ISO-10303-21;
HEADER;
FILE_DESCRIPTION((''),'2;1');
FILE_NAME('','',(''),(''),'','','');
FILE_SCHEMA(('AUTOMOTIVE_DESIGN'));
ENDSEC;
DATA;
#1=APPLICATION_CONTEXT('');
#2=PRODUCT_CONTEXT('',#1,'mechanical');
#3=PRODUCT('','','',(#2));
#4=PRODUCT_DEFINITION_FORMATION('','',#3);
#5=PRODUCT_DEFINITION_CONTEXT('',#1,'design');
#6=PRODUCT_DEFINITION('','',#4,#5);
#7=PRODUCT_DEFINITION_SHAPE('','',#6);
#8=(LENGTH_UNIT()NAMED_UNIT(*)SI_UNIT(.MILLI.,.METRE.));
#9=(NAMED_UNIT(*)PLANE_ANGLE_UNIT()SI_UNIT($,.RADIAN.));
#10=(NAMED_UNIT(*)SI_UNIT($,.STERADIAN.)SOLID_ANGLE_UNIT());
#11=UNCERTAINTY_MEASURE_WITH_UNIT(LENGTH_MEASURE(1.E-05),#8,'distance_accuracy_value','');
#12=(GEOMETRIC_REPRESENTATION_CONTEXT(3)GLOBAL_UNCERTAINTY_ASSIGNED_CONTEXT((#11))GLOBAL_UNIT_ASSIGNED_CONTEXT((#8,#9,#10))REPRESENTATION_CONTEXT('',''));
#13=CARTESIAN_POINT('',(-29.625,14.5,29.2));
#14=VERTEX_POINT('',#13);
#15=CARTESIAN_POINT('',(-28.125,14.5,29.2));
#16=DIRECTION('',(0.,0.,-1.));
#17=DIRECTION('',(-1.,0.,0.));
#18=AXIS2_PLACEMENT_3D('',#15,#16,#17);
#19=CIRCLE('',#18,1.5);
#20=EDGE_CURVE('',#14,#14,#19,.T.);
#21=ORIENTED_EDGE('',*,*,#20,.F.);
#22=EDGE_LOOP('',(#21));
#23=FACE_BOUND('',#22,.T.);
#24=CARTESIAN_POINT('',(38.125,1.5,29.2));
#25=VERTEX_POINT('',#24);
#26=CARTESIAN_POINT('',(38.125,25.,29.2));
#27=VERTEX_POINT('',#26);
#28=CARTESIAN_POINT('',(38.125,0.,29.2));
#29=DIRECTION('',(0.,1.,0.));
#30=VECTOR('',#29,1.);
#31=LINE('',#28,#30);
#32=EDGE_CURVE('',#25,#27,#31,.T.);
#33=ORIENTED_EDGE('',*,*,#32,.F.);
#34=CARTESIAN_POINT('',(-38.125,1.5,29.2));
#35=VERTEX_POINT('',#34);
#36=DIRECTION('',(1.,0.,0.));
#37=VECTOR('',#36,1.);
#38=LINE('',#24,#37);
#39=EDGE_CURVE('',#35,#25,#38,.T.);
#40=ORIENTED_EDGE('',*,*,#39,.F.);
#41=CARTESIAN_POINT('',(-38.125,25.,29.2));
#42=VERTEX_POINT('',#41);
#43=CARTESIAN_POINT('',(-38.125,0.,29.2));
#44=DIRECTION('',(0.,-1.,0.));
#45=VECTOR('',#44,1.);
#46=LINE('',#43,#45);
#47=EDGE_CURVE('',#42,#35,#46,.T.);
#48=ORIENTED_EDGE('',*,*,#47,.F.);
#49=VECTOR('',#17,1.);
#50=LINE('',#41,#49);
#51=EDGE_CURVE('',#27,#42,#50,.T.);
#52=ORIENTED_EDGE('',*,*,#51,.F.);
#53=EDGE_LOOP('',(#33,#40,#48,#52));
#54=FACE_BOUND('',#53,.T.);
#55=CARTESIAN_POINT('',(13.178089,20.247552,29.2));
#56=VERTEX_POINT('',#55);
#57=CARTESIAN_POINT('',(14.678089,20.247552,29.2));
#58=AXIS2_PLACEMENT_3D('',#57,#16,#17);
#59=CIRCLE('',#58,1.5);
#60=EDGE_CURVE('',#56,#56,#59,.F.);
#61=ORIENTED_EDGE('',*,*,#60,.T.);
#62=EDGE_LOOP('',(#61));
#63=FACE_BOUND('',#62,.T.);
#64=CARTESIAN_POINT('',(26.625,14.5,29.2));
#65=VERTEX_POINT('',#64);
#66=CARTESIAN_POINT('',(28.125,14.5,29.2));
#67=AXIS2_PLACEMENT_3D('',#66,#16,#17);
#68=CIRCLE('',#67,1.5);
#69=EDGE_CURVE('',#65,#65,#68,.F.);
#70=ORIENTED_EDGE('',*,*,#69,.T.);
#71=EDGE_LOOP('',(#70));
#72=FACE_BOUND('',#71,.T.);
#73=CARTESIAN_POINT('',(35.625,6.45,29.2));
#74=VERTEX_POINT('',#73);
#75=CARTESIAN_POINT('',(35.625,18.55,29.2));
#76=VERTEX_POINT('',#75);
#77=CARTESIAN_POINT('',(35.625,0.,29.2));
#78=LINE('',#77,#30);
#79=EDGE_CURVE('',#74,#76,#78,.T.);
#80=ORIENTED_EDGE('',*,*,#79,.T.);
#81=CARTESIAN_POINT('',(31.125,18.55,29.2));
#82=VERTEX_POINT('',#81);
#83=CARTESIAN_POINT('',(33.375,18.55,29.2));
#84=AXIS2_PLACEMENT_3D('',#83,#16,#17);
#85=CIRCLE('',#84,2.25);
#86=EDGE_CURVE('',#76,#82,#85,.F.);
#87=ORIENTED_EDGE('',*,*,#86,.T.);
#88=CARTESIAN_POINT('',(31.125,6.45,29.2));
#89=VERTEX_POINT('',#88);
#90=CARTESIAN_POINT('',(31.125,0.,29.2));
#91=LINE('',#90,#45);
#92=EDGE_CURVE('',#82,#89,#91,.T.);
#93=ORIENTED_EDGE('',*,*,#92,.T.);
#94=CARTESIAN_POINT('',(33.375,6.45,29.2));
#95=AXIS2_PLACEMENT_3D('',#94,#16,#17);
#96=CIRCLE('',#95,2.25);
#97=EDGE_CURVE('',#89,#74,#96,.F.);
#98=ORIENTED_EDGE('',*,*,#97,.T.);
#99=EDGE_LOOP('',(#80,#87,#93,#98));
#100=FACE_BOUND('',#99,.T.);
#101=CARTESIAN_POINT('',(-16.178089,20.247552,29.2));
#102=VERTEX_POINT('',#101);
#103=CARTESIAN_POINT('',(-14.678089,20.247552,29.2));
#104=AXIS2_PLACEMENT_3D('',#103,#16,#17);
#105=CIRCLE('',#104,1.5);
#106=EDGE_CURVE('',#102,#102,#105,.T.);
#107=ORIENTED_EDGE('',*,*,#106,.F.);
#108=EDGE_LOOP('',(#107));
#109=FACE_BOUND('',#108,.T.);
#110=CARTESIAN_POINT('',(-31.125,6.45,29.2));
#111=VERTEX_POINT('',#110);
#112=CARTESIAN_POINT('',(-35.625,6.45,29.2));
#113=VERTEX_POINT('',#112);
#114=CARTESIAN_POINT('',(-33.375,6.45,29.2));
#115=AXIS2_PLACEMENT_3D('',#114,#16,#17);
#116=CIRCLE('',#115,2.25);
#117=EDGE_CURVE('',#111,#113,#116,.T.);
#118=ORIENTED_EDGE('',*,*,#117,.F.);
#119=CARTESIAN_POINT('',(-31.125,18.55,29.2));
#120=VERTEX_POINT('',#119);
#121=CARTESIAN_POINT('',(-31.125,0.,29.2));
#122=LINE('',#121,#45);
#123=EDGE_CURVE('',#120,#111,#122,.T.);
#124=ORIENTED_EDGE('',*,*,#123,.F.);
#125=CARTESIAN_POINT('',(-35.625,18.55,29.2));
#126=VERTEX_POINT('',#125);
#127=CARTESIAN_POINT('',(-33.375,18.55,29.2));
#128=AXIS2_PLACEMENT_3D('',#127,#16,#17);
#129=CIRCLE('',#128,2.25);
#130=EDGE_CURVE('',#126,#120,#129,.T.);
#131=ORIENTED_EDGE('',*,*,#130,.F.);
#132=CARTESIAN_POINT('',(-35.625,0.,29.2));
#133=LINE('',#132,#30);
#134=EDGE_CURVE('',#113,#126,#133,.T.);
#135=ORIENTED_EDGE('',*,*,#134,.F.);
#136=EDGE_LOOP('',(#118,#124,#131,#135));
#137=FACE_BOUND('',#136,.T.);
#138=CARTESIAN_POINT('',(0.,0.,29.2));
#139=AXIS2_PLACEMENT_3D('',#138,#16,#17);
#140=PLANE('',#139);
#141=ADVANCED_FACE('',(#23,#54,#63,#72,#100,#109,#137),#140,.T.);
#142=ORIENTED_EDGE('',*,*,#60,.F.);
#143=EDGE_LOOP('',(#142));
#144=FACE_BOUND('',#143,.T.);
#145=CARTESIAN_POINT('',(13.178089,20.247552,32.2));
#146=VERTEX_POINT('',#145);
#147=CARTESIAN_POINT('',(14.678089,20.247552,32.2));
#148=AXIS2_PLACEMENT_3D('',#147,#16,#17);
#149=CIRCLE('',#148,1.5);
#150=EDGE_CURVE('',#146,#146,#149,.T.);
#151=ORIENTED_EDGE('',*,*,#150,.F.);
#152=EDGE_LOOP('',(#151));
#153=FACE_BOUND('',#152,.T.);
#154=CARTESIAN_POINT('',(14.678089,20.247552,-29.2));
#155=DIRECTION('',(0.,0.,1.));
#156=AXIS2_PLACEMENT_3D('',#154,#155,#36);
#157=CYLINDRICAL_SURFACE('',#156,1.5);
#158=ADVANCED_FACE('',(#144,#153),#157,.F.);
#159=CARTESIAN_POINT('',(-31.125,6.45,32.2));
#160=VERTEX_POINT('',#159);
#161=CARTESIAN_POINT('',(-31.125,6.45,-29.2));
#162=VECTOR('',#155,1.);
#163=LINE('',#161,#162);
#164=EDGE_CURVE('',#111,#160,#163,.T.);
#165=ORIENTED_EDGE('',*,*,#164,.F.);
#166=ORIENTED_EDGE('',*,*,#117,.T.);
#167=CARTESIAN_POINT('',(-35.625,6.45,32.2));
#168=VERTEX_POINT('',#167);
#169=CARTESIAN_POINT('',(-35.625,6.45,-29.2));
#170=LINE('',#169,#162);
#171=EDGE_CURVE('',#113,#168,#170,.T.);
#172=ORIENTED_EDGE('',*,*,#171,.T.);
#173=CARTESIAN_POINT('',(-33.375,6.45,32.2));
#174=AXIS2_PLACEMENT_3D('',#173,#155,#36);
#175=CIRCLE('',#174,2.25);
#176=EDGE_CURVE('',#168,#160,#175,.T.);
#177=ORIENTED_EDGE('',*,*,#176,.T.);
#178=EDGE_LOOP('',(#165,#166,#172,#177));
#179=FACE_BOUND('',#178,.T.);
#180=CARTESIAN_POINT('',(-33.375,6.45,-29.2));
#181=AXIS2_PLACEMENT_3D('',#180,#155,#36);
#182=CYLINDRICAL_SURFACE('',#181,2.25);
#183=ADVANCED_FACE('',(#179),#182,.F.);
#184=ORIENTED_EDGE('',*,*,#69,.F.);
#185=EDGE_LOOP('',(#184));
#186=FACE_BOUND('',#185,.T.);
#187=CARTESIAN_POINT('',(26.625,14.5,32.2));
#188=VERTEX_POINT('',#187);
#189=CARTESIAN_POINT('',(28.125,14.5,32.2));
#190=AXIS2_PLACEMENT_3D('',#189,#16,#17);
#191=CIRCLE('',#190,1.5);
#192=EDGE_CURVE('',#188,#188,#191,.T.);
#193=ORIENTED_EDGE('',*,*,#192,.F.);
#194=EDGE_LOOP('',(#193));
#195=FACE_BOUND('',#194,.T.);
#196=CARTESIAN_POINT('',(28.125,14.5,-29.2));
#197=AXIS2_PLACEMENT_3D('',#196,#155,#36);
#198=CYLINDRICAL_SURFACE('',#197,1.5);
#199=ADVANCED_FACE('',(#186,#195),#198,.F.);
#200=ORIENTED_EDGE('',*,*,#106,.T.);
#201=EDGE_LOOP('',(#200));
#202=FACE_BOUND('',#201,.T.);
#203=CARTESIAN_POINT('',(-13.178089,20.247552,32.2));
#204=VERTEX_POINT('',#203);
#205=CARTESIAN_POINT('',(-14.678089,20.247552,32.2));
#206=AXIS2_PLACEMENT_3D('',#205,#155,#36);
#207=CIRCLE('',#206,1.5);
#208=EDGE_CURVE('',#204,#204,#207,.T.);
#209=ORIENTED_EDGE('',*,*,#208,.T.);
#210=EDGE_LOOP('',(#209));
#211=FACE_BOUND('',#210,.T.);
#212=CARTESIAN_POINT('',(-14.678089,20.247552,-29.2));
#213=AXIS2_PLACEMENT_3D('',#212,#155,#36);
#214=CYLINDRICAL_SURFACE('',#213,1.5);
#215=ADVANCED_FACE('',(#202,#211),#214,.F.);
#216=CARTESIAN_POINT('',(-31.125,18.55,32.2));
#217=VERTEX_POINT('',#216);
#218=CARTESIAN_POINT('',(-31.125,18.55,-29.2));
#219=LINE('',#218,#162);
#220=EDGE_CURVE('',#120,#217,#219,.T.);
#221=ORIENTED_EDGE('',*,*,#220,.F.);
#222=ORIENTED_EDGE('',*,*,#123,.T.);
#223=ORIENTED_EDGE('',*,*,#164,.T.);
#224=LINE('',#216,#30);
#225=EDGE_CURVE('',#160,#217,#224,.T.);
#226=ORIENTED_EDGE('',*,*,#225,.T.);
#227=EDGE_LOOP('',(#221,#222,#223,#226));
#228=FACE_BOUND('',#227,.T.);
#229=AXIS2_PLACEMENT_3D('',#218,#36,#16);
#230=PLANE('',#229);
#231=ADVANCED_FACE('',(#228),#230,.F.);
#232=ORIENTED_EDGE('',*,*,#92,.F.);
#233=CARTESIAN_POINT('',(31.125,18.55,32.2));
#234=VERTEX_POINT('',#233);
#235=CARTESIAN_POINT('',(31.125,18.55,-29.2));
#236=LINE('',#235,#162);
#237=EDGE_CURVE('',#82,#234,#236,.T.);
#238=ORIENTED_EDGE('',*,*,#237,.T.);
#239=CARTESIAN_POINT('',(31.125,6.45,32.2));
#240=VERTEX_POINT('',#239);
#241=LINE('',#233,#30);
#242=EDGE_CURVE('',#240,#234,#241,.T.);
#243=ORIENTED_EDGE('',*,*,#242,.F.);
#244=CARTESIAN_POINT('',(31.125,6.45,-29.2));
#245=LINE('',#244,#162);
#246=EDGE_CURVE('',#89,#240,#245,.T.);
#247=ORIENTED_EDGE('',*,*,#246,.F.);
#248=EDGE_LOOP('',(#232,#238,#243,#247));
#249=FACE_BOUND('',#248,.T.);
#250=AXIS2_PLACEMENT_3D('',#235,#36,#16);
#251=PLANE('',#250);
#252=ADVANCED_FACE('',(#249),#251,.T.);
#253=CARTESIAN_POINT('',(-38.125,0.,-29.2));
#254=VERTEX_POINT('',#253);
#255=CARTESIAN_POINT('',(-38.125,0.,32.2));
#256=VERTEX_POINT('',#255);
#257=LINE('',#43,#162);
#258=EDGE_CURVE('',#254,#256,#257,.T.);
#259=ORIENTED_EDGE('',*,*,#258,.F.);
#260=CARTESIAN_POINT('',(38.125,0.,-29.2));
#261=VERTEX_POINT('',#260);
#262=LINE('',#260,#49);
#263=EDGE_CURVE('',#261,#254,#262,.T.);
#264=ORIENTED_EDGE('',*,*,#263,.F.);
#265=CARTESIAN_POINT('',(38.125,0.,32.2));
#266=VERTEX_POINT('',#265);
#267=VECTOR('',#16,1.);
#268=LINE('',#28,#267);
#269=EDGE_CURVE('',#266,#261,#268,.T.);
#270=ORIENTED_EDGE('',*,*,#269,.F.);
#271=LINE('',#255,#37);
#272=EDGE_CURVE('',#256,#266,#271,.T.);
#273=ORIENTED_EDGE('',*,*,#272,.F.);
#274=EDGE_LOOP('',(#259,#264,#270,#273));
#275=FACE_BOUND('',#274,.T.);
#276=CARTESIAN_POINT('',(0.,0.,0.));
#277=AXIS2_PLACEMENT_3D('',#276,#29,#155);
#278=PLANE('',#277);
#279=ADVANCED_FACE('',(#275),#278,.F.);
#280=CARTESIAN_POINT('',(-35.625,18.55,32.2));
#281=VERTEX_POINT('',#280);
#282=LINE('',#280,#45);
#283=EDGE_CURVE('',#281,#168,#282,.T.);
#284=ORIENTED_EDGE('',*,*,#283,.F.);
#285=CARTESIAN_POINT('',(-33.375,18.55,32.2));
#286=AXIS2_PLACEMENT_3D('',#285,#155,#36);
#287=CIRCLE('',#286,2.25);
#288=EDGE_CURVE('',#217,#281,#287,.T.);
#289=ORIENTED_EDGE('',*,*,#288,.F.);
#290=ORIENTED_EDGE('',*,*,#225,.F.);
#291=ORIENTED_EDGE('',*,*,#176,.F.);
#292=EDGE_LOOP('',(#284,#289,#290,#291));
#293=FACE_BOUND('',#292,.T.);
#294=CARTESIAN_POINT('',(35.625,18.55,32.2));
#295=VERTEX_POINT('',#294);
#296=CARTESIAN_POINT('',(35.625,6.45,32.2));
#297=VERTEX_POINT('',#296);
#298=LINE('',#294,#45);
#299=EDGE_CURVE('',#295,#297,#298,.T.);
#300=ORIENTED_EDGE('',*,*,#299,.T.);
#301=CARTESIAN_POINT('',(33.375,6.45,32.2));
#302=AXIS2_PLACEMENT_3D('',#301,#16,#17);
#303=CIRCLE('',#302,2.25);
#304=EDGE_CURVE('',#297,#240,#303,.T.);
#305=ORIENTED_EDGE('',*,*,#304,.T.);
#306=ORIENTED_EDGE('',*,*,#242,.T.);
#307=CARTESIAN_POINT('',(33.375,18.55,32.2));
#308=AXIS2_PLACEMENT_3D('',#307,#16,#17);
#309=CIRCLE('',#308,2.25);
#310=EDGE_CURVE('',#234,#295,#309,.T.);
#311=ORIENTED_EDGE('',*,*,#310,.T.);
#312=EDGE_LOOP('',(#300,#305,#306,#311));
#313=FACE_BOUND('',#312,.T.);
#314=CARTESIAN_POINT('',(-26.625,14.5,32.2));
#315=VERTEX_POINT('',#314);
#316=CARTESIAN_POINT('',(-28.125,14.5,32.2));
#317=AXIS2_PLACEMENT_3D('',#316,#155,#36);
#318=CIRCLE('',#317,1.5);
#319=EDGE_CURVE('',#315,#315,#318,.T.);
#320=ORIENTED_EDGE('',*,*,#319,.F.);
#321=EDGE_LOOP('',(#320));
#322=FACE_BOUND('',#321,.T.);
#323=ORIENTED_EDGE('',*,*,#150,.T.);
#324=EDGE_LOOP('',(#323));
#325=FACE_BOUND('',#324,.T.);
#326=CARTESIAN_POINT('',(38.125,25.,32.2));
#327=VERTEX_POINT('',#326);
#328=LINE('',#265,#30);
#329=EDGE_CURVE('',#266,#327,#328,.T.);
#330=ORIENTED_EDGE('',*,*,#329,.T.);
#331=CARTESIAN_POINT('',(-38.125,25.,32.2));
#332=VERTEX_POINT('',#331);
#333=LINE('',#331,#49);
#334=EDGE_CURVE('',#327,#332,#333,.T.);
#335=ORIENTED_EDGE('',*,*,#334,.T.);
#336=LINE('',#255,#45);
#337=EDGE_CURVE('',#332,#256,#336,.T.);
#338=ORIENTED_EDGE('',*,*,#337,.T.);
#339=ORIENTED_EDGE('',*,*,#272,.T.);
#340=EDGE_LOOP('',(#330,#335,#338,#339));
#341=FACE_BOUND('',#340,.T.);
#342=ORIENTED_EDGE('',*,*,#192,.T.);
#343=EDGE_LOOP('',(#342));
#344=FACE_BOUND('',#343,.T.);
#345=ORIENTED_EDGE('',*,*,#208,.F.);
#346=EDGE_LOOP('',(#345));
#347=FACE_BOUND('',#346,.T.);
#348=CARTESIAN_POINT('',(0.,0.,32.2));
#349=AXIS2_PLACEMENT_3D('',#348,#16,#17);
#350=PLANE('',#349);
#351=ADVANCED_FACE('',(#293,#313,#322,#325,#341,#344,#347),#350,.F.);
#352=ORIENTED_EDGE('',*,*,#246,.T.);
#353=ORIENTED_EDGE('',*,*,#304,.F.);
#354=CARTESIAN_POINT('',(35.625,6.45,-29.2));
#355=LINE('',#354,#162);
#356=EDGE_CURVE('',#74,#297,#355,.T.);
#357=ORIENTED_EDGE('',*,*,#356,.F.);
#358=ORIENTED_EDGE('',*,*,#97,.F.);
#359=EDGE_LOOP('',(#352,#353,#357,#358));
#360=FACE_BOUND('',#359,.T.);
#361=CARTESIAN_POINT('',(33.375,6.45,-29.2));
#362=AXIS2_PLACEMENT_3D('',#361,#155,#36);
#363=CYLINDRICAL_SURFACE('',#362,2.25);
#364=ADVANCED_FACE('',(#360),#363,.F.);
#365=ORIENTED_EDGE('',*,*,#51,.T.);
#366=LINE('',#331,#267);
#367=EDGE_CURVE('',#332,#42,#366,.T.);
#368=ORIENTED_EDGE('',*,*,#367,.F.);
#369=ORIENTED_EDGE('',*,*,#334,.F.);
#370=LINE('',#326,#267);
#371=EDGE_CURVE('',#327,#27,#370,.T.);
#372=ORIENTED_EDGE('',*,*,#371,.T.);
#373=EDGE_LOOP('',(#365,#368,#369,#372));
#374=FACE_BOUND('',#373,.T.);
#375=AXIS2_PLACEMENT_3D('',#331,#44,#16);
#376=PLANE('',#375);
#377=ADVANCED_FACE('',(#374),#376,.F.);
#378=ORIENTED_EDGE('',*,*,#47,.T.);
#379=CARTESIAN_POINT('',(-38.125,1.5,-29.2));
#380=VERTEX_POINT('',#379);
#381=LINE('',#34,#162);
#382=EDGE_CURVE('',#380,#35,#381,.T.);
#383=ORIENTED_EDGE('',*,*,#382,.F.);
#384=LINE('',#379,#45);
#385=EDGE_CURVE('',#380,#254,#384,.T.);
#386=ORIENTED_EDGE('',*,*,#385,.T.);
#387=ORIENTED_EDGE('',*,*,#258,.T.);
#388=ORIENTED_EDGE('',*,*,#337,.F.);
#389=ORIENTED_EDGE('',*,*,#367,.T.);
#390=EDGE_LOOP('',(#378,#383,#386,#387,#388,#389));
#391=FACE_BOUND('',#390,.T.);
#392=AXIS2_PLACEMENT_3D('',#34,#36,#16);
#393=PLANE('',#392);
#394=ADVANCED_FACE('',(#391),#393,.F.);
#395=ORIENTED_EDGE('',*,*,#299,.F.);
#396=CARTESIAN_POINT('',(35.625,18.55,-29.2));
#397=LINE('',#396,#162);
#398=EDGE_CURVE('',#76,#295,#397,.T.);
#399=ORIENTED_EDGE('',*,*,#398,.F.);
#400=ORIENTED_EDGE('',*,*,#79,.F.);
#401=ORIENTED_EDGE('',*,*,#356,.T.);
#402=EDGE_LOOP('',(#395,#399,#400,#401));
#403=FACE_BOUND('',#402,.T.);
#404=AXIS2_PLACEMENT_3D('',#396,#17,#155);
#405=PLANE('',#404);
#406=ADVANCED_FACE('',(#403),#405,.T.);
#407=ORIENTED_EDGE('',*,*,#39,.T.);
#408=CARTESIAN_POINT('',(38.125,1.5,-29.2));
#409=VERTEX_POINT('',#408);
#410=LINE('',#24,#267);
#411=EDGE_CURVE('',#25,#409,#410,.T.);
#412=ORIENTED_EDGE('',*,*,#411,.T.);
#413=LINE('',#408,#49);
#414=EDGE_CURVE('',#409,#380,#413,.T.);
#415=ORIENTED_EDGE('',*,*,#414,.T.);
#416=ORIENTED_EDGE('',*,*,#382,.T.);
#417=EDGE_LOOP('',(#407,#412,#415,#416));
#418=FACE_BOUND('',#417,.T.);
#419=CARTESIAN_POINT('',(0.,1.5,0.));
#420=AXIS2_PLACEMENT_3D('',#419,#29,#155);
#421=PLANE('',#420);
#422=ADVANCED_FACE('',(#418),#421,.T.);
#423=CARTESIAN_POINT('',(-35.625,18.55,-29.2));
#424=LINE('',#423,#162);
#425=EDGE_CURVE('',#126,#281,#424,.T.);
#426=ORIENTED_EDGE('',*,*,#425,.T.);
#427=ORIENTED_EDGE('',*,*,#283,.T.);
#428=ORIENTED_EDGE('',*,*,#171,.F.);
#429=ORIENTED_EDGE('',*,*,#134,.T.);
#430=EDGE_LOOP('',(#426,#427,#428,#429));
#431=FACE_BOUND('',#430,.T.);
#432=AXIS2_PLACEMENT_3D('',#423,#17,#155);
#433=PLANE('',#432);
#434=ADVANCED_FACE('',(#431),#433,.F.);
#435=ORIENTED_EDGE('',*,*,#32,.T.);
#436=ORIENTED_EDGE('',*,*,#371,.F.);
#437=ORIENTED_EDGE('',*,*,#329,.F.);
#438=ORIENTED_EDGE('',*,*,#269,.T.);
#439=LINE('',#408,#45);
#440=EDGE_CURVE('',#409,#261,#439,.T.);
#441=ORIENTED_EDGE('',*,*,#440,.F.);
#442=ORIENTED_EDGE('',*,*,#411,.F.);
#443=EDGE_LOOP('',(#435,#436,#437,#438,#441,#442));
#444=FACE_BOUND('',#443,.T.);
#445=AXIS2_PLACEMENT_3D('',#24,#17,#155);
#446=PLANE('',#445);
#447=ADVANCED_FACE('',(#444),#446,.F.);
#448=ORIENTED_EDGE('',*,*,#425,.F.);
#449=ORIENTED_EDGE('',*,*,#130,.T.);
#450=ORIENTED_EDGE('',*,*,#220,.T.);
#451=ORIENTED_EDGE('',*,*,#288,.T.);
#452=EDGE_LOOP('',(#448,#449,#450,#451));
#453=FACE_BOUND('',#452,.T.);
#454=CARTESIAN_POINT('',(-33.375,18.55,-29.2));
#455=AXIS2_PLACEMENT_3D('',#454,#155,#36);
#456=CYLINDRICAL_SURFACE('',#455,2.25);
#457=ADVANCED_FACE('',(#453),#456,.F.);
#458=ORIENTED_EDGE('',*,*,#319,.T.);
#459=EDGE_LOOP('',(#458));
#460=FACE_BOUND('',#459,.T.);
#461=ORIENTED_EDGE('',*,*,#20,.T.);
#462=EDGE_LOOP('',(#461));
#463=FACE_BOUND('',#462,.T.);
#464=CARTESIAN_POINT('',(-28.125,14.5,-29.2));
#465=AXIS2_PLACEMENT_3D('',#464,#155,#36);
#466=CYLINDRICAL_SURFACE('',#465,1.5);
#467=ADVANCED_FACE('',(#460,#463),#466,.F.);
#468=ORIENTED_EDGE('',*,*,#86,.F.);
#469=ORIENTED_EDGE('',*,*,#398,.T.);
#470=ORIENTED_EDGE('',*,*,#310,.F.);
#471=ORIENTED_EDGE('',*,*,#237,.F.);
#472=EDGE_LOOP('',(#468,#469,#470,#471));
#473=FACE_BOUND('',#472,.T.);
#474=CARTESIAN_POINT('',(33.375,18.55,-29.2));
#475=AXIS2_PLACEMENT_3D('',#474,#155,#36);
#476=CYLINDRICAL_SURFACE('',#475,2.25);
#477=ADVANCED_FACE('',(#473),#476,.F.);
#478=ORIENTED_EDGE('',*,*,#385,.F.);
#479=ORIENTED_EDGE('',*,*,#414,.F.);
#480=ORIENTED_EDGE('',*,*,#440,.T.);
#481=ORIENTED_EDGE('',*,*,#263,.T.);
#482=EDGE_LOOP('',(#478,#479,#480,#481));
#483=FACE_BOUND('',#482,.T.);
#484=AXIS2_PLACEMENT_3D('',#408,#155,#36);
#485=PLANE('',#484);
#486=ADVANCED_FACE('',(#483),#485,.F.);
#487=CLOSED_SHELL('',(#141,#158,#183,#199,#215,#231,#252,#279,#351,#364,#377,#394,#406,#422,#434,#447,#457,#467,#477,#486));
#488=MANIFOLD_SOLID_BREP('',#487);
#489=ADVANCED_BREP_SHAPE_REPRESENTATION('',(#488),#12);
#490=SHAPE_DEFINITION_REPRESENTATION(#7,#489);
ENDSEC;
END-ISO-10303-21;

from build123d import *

# Parameters (mm, degrees)
SKETCH1_W           = 76.25
SKETCH1_H           = 58.4
BOSS_EXTRUDE1_DEPTH = 1.5
SKETCH2_W           = 76.25
SKETCH2_H           = 25
BOSS_EXTRUDE2_DEPTH = 3
SKETCH3_R           = 1.5
CUT_EXTRUDE1_DEPTH  = 77.475326904


with BuildPart() as part:
    # Sketch1 → Boss-Extrude1 (new body)
    with BuildSketch(Plane(origin=(0, 0, 0), x_dir=(1, 0, 0), z_dir=(0, 1, 0))):
        Rectangle(SKETCH1_W, SKETCH1_H)
    extrude(amount=BOSS_EXTRUDE1_DEPTH)

    # Sketch2 → Boss-Extrude2 (add)
    with BuildSketch(Plane.XY.offset(29.2)):
        with Locations((0, 12.5)):
            Rectangle(SKETCH2_W, SKETCH2_H)
    extrude(amount=BOSS_EXTRUDE2_DEPTH)

    # Sketch3 → Cut-Extrude1 (cut, through all)
    with BuildSketch(Plane.XY.offset(32.2)):
        with Locations((-28.125, 14.5)):
            Circle(SKETCH3_R)
        with Locations((-14.678089157, 20.247551858)):
            Circle(SKETCH3_R)
        with BuildLine():
            Line((-31.125, 18.55), (-31.125, 6.45))
            ThreePointArc((-31.125, 6.45), (-33.375, 4.2), (-35.625, 6.45))
            Line((-35.625, 6.45), (-35.625, 18.55))
            ThreePointArc((-35.625, 18.55), (-33.375, 20.8), (-31.125, 18.55))
        make_face()
    cut_extrude1 = extrude(amount=-CUT_EXTRUDE1_DEPTH, mode=Mode.SUBTRACT)

    # Mirror1: Cut-Extrude1 across plane
    add(cut_extrude1.mirror(Plane(origin=(0, 0, 0), x_dir=(0, 0, 1), z_dir=(1, 0, 0))), mode=Mode.SUBTRACT)


solid = part.part
